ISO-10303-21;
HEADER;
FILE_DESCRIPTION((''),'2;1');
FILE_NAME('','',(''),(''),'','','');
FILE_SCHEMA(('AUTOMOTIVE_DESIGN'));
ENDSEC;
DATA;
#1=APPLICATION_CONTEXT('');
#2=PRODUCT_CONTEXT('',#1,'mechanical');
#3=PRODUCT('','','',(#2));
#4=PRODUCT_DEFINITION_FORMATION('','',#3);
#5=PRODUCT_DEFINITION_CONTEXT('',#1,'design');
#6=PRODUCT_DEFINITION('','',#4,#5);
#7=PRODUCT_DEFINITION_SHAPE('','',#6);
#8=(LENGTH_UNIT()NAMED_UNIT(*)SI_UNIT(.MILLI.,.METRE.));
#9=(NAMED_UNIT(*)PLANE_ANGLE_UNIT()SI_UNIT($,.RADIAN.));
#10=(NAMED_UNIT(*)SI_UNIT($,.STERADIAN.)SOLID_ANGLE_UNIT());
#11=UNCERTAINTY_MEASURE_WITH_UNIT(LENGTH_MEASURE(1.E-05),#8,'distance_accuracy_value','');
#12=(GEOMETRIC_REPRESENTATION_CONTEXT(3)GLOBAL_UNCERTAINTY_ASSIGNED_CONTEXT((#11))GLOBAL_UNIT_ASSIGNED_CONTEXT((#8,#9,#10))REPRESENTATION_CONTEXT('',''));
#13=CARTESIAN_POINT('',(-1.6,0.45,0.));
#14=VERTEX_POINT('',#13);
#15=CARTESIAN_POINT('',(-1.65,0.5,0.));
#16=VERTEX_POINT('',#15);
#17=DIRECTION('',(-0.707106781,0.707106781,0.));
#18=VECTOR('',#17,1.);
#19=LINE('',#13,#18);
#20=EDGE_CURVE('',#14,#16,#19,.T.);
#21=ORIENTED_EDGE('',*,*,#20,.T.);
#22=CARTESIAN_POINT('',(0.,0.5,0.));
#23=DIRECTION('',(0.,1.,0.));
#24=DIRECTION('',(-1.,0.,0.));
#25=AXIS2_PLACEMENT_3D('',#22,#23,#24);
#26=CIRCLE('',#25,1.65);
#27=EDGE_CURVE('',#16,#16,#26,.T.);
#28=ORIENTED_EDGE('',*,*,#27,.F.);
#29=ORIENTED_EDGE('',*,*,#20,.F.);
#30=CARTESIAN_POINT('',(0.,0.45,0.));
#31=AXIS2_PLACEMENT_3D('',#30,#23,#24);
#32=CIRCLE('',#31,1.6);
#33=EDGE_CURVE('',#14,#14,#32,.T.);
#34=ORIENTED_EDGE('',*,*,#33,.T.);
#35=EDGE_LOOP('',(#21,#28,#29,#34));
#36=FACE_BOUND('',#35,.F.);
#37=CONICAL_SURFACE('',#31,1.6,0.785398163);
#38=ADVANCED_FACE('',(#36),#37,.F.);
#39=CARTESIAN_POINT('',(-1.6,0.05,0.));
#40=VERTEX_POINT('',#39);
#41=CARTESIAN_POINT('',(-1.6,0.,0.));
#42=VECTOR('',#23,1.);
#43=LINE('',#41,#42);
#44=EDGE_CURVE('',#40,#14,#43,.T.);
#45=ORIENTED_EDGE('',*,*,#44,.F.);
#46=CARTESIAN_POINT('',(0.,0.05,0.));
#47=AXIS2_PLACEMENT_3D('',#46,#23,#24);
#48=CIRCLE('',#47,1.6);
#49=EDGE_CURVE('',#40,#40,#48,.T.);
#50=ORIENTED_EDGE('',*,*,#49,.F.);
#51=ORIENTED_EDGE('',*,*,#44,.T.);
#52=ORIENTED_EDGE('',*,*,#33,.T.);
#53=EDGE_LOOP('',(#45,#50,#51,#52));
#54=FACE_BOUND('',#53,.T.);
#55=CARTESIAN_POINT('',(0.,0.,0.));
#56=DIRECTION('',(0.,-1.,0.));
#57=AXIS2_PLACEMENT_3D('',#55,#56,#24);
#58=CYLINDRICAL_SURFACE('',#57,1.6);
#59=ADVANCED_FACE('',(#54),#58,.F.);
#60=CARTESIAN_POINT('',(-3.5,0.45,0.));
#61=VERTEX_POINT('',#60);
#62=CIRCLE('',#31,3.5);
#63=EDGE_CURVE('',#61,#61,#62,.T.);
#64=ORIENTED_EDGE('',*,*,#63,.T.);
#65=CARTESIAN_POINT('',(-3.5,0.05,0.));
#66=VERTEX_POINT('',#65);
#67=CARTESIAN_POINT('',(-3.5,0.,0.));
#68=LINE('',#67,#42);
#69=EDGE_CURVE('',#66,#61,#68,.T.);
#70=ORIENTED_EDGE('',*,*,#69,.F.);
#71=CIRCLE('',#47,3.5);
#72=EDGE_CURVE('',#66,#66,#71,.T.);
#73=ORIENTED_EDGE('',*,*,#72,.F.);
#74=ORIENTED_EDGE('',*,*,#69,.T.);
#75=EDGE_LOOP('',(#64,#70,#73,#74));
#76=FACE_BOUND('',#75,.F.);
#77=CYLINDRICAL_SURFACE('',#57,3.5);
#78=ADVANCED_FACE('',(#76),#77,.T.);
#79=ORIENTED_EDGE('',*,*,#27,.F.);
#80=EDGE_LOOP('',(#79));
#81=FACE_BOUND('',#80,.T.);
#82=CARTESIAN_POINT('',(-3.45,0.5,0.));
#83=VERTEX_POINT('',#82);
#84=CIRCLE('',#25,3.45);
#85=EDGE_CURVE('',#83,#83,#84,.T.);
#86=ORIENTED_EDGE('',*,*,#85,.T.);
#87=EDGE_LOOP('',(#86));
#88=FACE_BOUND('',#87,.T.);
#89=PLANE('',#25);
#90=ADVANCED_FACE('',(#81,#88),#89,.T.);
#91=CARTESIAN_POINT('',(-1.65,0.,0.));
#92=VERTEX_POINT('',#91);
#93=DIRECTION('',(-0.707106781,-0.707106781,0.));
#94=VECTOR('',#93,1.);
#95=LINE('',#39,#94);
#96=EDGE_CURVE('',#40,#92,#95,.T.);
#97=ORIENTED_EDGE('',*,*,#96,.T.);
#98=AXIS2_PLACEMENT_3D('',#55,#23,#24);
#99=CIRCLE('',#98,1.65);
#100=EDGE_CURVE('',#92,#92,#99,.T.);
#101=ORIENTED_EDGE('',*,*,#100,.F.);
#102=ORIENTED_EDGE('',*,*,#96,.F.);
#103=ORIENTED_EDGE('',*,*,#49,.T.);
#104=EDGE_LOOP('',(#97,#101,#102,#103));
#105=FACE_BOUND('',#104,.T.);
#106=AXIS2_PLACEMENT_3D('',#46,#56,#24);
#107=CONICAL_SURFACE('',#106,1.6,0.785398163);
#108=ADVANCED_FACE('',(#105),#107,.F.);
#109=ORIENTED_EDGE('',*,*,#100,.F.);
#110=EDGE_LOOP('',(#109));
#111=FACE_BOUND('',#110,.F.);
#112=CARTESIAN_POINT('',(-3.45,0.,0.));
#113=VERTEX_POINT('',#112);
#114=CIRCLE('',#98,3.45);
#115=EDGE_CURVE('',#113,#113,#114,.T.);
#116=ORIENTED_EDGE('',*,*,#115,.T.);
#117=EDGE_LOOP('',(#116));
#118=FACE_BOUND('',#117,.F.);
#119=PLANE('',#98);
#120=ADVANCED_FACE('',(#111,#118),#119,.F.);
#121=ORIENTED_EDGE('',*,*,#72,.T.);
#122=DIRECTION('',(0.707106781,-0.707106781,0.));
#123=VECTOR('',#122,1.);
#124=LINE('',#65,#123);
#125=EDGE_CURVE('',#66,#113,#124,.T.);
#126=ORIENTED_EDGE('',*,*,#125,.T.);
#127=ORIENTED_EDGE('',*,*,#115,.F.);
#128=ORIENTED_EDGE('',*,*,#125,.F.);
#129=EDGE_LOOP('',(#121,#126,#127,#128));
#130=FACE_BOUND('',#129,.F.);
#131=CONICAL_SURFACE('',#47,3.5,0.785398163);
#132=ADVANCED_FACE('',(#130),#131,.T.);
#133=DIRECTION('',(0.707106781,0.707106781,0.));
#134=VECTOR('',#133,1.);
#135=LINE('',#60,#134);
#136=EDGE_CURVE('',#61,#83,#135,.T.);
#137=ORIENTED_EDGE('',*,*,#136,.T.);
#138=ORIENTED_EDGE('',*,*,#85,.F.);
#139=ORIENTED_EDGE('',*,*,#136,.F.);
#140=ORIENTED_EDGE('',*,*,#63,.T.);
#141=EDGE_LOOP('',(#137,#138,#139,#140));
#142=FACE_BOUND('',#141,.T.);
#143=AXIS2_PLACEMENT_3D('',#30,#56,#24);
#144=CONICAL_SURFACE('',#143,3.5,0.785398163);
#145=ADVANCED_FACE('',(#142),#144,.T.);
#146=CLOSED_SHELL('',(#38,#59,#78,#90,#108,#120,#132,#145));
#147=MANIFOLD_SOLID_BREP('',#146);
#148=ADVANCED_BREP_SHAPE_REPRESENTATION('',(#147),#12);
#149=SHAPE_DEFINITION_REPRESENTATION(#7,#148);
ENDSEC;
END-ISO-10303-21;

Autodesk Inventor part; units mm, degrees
ref_plane "YZ Plane" through (0, 0, 0) normal (1, 0, 0) x (0, 1, 0)
ref_plane "XZ Plane" through (0, 0, 0) normal (0, 1, 0) x (-1, 0, 0)
ref_plane "XY Plane" through (0, 0, 0) normal (0, 0, 1) x (1, 0, 0)
sketch "Sketch1" plane through (0, 0, 0) normal (0, 1, 0) x (-1, 0, 0)
  circle A0 centre (0, 0) radius 3.5
  circle A1 centre (0, 0) radius 1.6
  dimension "Diameter" = 7
  dimension "d1" = 3.2
extrude "Extrusion1" add sketch "Sketch1" along normal blind 0.5
chamfer "Chamfer1" distance 0.05 angle 45 4 edges at (3.5, 0.5, 0) (1.6, 0.5, 0) (3.5, 0, 0) (1.6, 0, 0)
properties part number "3mm Rubber Washer" material "Rubber"
